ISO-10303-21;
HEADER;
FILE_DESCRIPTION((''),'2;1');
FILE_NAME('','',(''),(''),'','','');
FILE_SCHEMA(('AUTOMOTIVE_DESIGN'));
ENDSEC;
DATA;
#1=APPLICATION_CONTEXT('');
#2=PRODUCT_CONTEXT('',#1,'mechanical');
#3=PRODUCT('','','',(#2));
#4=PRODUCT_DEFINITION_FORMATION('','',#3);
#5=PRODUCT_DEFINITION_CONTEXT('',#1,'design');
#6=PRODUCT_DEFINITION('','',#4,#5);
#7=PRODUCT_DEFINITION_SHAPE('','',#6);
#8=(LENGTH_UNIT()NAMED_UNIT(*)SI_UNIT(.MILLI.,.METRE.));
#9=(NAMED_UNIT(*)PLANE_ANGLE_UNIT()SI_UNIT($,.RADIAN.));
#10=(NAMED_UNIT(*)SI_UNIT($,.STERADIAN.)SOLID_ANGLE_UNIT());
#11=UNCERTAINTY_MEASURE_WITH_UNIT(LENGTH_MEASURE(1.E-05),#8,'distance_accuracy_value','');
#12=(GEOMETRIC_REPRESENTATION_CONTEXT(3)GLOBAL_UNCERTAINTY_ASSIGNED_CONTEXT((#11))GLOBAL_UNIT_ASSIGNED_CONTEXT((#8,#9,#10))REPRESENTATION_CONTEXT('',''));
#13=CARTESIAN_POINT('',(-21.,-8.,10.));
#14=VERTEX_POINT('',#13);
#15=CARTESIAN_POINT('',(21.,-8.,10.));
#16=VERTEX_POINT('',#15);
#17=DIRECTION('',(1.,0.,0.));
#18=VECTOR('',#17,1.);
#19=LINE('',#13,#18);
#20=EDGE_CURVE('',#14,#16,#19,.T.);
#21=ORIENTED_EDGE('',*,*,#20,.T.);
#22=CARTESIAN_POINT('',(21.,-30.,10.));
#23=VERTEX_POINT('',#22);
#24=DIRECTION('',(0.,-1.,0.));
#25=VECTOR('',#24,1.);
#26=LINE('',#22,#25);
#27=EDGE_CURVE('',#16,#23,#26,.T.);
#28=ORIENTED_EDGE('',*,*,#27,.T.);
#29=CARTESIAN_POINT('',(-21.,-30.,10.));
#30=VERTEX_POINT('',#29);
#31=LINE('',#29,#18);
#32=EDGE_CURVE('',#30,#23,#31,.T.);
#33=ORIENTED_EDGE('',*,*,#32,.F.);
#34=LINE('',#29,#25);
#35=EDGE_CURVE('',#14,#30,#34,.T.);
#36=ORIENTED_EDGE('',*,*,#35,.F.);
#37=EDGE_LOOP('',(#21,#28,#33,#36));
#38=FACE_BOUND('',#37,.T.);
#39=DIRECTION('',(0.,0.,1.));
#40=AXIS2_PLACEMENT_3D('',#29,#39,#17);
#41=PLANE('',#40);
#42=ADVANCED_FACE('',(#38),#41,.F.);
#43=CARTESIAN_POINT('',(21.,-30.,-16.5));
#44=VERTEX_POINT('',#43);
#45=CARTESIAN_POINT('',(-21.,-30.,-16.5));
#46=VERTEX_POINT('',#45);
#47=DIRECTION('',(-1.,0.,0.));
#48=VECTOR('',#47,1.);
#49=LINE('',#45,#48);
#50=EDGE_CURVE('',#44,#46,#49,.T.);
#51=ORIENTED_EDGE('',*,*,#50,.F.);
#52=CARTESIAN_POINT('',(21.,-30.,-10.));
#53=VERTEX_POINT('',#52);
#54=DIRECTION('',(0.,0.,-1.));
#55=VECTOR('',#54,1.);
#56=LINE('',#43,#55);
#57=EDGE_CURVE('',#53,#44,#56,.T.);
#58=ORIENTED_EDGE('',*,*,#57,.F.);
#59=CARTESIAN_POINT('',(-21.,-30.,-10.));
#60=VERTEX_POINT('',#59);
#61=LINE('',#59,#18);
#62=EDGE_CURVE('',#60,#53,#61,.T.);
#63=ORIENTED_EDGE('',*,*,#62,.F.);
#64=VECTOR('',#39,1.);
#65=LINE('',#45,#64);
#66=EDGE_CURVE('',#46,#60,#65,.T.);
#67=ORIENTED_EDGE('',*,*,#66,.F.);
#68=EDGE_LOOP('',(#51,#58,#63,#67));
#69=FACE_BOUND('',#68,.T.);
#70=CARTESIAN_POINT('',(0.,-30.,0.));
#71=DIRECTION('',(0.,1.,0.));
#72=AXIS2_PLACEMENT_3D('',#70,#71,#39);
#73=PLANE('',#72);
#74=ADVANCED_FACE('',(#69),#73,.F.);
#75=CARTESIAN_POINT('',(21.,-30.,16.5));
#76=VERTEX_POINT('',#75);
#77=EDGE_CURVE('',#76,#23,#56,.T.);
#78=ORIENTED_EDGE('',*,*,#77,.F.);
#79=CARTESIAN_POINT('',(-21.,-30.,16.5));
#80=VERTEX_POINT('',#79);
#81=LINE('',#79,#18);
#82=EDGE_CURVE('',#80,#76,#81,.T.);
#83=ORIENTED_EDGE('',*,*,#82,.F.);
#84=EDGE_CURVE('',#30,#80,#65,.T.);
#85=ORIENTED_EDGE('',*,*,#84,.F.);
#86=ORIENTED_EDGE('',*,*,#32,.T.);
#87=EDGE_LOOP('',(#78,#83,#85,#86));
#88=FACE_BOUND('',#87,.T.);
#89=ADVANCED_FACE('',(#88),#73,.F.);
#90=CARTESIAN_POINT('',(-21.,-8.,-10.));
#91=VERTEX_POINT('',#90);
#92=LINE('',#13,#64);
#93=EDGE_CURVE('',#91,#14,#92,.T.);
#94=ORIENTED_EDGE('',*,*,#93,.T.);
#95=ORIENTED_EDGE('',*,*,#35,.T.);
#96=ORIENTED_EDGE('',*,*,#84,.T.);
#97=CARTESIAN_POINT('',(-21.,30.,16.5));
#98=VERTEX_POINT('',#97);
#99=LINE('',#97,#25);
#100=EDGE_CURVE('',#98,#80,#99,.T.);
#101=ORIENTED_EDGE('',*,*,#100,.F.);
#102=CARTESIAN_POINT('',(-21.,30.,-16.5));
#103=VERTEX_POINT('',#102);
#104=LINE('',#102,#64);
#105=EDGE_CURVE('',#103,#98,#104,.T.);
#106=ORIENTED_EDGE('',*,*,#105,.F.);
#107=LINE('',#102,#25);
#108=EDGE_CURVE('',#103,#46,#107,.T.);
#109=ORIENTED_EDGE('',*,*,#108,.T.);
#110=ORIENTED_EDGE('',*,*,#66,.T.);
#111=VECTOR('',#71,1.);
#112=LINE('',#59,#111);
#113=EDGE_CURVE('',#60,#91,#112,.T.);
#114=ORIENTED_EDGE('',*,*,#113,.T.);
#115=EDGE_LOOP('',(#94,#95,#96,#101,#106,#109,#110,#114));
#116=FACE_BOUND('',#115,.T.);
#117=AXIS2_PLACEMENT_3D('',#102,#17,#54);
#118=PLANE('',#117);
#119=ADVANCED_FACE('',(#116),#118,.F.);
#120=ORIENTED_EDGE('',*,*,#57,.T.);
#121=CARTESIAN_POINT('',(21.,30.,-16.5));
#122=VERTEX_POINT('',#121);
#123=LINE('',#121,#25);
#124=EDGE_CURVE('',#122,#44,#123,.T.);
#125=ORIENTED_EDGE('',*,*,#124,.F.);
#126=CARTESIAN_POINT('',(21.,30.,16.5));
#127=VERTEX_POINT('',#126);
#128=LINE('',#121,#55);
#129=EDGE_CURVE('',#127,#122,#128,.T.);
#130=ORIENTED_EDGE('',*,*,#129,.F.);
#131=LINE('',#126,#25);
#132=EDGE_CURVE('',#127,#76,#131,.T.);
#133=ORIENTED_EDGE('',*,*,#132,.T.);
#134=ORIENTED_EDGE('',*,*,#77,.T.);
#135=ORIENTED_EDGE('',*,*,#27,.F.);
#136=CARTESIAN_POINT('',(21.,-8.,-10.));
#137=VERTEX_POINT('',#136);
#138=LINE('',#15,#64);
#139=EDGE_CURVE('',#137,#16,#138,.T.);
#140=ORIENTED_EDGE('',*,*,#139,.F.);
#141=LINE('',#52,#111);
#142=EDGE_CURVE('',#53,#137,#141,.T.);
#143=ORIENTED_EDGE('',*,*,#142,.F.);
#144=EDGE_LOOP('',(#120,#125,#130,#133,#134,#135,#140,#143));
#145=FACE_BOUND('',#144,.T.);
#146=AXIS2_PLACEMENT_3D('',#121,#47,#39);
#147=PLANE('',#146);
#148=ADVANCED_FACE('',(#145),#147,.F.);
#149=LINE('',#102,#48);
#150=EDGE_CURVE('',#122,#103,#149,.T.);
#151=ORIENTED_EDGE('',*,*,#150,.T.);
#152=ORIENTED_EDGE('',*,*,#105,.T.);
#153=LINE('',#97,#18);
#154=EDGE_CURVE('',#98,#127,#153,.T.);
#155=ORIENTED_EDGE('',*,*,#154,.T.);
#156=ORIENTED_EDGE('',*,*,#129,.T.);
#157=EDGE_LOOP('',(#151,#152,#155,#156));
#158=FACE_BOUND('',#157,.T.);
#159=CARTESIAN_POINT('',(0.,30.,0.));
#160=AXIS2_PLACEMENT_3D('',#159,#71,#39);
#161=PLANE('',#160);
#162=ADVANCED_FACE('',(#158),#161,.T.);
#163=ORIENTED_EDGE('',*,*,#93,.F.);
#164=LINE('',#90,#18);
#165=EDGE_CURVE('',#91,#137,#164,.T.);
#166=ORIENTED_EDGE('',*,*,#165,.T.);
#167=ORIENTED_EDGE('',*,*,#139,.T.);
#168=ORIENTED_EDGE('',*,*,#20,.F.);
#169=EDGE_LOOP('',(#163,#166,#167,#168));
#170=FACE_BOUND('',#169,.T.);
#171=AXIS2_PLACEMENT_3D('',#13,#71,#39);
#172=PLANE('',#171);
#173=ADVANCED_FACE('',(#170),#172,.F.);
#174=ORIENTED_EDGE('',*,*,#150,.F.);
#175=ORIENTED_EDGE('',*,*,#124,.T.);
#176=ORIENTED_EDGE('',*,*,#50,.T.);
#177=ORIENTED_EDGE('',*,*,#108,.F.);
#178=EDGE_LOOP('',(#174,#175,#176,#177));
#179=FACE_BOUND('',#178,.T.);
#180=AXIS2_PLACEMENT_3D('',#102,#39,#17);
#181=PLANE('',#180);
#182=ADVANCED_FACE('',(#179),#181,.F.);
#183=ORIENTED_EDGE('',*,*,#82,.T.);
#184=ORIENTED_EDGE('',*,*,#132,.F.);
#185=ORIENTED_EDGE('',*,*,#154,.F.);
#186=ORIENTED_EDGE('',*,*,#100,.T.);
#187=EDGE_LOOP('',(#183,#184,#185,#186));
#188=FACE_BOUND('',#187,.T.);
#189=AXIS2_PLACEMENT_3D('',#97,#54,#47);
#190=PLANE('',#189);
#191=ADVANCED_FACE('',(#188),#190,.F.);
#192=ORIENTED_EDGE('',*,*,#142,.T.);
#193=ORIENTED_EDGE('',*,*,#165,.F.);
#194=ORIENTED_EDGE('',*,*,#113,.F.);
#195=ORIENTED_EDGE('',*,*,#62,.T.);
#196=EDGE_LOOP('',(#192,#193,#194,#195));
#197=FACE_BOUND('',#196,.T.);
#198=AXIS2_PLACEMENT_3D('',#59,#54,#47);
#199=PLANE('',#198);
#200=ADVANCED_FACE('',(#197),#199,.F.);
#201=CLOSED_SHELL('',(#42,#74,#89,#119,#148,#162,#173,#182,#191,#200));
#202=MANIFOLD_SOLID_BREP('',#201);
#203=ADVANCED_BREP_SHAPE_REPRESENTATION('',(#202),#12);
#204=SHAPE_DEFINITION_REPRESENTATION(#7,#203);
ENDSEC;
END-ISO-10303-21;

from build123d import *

# Parameters (mm, degrees)
SKETCH1_W               = 42
SKETCH1_H               = 33
BOSS_EXTRUDE1_DEPTH     = 30
CUT_EXTRUDE1_DEPTH      = 41.165283517
CUT_EXTRUDE1_DEPTH_BACK = 41.165283517
SKETCH2_W               = 20
SKETCH2_H               = 22


with BuildPart() as part:
    # Sketch1 → Boss-Extrude1 (new, symmetric)
    with BuildSketch(Plane(origin=(0, 0, 0), x_dir=(1, 0, 0), z_dir=(0, 1, 0))):
        Rectangle(SKETCH1_W, SKETCH1_H)
    extrude(amount=BOSS_EXTRUDE1_DEPTH, both=True)

    # Sketch2 → Cut-Extrude1 (cut, two sides: drawn at the far end of the back side and taken through both)
    with BuildSketch(Plane(origin=(0, 0, 0), x_dir=(0, 0, -1), z_dir=(1, 0, 0)).offset(-CUT_EXTRUDE1_DEPTH_BACK)):
        with Locations((0, -19)):
            Rectangle(SKETCH2_W, SKETCH2_H)
    extrude(amount=CUT_EXTRUDE1_DEPTH + CUT_EXTRUDE1_DEPTH_BACK, mode=Mode.SUBTRACT)


solid = part.part
